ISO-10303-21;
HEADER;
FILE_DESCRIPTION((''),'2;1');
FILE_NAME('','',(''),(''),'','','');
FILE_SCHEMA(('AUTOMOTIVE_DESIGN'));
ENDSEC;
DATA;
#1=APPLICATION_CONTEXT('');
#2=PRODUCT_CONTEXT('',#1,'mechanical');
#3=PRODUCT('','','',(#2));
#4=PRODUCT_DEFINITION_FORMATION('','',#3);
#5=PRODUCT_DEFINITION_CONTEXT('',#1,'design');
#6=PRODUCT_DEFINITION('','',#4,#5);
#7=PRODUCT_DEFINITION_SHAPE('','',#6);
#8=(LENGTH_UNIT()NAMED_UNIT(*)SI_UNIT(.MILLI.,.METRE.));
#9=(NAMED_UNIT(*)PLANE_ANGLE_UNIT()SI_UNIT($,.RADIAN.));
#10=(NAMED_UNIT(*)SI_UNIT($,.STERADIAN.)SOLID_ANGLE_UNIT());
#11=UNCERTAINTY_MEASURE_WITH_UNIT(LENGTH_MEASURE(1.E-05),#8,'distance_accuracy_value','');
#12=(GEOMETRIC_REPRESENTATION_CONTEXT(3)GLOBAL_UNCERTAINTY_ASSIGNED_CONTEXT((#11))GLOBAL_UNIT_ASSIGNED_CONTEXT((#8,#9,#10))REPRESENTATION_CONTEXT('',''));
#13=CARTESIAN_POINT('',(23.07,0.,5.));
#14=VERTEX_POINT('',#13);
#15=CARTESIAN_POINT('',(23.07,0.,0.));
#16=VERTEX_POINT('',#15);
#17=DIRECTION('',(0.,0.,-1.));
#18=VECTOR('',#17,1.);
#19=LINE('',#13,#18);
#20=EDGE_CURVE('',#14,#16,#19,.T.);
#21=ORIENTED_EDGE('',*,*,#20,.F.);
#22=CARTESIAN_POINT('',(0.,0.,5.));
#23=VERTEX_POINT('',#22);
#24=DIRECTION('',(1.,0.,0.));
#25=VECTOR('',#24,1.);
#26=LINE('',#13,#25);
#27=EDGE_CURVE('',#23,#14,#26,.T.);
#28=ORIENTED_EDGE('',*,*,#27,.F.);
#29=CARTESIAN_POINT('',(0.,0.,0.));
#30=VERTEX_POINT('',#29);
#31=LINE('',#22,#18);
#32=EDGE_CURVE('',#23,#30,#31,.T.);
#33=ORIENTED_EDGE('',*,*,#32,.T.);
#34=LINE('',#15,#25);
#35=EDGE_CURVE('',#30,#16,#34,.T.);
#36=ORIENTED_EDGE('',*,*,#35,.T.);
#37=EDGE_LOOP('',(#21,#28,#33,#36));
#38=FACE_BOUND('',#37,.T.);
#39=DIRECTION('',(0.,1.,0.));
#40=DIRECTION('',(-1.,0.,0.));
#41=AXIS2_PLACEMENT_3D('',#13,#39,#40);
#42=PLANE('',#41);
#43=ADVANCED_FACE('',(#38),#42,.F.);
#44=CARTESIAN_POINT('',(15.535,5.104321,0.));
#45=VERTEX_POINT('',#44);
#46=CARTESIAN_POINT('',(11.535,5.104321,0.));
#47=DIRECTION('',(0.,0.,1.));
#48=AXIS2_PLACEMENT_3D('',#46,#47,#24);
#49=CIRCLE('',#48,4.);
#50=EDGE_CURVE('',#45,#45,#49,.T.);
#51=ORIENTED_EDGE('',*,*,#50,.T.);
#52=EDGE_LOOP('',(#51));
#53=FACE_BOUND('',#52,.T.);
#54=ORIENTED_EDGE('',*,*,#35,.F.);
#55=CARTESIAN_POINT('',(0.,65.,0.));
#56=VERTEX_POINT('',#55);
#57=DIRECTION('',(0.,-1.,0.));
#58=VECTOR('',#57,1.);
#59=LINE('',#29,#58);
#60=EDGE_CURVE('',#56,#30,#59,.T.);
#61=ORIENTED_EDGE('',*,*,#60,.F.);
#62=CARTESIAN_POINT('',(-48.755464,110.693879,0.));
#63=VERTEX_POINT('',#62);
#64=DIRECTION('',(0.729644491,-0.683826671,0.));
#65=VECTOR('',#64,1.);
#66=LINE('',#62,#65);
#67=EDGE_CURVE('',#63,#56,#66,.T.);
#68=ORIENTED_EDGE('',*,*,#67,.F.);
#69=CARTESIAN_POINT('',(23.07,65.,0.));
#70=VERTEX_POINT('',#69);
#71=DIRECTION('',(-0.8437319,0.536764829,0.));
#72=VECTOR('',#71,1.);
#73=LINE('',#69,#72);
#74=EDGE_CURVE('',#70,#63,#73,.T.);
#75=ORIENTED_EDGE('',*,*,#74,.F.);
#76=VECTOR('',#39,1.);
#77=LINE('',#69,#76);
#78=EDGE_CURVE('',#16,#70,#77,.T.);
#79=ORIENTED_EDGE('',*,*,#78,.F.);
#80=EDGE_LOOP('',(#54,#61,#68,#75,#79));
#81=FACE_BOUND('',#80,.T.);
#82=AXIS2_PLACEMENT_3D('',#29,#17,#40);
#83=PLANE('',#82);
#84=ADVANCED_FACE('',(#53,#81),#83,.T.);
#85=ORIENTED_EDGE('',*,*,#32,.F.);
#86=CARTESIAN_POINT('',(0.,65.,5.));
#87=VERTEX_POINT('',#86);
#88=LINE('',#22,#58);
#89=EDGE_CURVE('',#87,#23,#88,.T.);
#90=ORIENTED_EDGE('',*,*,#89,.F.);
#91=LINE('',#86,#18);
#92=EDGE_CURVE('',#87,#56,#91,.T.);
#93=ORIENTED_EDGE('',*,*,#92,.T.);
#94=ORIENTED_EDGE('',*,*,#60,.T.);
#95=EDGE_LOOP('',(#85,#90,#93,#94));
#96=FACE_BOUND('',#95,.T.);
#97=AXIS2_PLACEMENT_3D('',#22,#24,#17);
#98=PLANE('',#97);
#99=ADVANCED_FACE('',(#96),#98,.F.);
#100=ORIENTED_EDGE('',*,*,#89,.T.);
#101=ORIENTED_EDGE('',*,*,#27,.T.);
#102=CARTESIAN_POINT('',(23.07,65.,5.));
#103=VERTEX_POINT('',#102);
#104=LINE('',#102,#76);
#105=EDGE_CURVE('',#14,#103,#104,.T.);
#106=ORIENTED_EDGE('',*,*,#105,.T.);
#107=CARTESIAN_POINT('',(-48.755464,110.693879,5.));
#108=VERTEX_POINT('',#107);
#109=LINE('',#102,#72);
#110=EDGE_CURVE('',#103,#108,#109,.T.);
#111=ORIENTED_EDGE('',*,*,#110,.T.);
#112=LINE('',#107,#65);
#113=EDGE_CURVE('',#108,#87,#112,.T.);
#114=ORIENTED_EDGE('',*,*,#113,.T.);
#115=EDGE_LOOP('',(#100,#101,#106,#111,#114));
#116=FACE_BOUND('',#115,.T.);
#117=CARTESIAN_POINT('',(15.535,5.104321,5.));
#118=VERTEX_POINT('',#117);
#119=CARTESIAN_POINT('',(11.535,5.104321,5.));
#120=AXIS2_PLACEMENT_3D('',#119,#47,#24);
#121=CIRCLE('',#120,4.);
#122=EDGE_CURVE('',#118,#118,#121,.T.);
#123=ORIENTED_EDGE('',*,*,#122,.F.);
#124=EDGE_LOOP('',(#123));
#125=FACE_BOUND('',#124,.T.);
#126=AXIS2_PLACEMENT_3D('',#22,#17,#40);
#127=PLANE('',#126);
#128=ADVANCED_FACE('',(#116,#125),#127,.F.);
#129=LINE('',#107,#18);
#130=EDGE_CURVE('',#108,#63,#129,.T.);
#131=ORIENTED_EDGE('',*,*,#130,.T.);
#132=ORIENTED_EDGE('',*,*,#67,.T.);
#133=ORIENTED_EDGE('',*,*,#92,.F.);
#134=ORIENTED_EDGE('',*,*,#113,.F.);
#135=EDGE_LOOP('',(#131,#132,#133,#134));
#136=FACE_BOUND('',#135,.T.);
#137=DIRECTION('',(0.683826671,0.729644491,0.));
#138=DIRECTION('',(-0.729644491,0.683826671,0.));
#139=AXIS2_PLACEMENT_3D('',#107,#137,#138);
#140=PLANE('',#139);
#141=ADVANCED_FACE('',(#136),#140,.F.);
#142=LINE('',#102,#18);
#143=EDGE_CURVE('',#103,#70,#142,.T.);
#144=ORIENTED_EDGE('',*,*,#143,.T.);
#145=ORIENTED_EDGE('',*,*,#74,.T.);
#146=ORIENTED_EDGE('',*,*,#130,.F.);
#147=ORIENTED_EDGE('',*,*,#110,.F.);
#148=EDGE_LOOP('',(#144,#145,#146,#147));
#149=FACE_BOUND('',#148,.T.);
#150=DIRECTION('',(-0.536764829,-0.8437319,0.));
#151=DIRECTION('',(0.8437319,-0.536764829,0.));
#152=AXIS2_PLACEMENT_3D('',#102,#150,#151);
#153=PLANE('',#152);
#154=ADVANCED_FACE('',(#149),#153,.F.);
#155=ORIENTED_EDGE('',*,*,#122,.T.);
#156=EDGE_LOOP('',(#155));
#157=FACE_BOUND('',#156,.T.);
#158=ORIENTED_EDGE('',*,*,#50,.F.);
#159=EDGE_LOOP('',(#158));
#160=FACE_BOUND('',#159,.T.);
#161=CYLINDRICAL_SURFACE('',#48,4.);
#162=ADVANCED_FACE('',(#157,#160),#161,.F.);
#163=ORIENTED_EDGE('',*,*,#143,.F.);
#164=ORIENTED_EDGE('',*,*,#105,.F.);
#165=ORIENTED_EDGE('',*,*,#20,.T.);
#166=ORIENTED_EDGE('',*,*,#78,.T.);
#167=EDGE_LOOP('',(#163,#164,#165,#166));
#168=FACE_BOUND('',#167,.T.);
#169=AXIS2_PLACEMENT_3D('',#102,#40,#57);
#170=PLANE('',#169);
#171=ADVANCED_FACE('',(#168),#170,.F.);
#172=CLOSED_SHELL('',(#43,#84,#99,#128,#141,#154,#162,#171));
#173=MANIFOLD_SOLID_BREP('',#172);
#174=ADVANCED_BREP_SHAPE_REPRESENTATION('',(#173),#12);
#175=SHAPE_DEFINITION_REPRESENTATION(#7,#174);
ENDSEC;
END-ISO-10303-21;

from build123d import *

# Parameters (mm, degrees)
EXTRUDE_1_DEPTH     = 5
SKETCH_2_R          = 4
CUT_EXTRUDE_1_DEPTH = 5
SKETCH_3_R          = 4
EXTRUDE_2_DEPTH     = 5


with BuildPart() as part:
    # 草图1 → 凸台-拉伸1 (new body)
    with BuildSketch(Plane.XY):
        Polygon((0, 0), (0, 65), (-48.75546427, 110.693878657), (23.07, 65), (23.07, 0), align=None)
    extrude(amount=EXTRUDE_1_DEPTH)

    # 草图2 → 切除-拉伸1 (cut)
    with BuildSketch(Plane.XY.offset(5)):
        with Locations((11.535, 5.104320519)):
            Circle(SKETCH_2_R)
        with Locations(Location((11.535, 59.895679481, 0), (0, 0, 180))):
            Circle(SKETCH_2_R)
    extrude(amount=-CUT_EXTRUDE_1_DEPTH, mode=Mode.SUBTRACT)

    # 草图3 → 凸台-拉伸2 (add)
    with BuildSketch(Plane.XY.offset(5)):
        with Locations((11.535, 59.895679481)):
            Circle(SKETCH_3_R)
    extrude(amount=-EXTRUDE_2_DEPTH)


solid = part.part
